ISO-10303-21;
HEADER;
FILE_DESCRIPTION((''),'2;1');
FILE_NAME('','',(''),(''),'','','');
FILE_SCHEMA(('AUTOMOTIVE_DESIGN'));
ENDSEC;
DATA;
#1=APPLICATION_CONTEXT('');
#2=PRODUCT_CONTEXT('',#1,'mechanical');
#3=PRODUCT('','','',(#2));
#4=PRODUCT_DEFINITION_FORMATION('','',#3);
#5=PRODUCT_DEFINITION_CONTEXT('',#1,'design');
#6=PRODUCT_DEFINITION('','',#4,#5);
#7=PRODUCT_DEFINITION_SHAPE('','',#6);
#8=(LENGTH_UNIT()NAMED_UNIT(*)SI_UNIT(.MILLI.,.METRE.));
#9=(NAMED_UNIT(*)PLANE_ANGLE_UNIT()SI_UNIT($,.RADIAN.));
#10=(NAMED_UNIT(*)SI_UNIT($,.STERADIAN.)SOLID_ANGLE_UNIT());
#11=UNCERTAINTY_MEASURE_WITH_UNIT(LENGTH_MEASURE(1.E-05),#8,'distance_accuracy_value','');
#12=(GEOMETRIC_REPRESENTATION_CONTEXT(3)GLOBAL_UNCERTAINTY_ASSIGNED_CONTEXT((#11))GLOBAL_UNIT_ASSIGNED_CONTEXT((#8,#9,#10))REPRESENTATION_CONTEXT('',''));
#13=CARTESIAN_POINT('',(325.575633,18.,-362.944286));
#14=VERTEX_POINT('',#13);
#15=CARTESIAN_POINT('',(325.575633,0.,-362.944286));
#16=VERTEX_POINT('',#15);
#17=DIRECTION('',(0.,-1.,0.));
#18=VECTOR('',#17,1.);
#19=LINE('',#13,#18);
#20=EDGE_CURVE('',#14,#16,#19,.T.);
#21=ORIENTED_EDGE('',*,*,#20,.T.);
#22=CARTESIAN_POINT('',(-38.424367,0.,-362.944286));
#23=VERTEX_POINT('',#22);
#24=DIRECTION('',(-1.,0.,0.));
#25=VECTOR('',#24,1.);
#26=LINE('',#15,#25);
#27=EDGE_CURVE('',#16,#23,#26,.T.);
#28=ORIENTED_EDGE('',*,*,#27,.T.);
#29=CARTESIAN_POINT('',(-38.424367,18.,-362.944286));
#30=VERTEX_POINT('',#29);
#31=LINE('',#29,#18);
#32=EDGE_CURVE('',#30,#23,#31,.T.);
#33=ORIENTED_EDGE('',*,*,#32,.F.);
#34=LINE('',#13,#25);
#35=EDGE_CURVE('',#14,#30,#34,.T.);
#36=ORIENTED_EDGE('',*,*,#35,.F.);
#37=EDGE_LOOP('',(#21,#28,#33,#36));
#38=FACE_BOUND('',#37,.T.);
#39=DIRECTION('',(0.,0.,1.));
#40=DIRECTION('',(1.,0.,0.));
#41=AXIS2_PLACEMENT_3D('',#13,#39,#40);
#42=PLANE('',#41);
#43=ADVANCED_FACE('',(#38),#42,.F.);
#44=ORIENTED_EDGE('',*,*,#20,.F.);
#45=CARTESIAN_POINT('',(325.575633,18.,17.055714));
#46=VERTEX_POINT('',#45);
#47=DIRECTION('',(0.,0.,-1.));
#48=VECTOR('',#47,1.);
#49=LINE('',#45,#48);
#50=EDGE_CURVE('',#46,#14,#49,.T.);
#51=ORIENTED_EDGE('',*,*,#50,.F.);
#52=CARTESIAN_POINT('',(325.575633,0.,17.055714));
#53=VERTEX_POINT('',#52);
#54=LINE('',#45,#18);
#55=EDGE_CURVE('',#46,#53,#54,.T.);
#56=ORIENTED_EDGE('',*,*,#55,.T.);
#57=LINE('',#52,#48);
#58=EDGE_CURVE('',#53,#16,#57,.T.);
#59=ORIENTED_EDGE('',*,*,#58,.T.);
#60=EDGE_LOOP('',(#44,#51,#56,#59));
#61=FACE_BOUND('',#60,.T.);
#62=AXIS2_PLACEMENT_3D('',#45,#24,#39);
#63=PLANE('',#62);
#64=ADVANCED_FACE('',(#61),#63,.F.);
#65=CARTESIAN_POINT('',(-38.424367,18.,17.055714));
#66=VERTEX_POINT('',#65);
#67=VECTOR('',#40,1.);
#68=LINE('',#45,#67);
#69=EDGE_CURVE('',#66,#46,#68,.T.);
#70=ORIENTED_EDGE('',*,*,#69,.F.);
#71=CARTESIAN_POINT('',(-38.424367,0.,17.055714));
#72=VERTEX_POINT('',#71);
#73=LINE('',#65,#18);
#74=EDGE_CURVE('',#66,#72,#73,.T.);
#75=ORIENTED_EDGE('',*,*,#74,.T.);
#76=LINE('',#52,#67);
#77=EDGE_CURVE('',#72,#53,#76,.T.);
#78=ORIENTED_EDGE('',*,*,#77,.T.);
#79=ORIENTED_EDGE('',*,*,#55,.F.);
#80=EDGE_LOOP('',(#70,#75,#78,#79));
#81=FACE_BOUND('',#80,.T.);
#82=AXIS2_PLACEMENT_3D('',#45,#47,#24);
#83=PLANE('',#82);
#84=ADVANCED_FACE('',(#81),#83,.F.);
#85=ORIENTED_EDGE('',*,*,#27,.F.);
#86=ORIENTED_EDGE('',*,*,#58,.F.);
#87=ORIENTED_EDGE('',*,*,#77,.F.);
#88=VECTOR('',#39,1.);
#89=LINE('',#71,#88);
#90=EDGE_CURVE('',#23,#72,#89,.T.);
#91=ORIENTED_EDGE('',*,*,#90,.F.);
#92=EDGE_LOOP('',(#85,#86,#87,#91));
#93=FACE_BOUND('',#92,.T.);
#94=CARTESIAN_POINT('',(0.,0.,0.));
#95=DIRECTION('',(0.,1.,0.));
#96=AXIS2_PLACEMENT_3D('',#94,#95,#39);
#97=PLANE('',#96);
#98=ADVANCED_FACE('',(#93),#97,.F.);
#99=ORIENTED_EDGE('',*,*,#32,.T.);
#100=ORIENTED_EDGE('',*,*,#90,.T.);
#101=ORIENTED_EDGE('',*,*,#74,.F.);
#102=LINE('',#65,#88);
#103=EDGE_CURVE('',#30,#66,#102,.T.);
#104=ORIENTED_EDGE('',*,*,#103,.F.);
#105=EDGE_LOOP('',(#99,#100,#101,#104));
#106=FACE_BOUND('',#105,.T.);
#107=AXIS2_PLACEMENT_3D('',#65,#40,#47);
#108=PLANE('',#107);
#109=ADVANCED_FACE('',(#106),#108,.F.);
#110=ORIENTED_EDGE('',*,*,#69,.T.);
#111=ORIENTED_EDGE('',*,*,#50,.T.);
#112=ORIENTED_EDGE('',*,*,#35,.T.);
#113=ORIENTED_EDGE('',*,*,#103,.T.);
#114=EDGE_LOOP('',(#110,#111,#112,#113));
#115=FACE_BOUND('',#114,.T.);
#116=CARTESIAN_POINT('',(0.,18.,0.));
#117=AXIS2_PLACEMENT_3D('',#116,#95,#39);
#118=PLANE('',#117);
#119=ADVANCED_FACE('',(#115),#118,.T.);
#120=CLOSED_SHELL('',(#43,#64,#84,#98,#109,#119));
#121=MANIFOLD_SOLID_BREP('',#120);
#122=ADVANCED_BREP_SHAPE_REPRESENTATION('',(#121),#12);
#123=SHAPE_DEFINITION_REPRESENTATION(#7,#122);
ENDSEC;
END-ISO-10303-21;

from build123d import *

# Parameters (mm, degrees)
SKETCH1_W           = 364
SKETCH1_H           = 380
BOSS_EXTRUDE1_DEPTH = 18


with BuildPart() as part:
    # Sketch1 → Boss-Extrude1 (new body)
    with BuildSketch(Plane(origin=(0, 0, 0), x_dir=(1, 0, 0), z_dir=(0, 1, 0))):
        with Locations((143.575632918, 172.94428604)):
            Rectangle(SKETCH1_W, SKETCH1_H)
    extrude(amount=BOSS_EXTRUDE1_DEPTH)


solid = part.part
